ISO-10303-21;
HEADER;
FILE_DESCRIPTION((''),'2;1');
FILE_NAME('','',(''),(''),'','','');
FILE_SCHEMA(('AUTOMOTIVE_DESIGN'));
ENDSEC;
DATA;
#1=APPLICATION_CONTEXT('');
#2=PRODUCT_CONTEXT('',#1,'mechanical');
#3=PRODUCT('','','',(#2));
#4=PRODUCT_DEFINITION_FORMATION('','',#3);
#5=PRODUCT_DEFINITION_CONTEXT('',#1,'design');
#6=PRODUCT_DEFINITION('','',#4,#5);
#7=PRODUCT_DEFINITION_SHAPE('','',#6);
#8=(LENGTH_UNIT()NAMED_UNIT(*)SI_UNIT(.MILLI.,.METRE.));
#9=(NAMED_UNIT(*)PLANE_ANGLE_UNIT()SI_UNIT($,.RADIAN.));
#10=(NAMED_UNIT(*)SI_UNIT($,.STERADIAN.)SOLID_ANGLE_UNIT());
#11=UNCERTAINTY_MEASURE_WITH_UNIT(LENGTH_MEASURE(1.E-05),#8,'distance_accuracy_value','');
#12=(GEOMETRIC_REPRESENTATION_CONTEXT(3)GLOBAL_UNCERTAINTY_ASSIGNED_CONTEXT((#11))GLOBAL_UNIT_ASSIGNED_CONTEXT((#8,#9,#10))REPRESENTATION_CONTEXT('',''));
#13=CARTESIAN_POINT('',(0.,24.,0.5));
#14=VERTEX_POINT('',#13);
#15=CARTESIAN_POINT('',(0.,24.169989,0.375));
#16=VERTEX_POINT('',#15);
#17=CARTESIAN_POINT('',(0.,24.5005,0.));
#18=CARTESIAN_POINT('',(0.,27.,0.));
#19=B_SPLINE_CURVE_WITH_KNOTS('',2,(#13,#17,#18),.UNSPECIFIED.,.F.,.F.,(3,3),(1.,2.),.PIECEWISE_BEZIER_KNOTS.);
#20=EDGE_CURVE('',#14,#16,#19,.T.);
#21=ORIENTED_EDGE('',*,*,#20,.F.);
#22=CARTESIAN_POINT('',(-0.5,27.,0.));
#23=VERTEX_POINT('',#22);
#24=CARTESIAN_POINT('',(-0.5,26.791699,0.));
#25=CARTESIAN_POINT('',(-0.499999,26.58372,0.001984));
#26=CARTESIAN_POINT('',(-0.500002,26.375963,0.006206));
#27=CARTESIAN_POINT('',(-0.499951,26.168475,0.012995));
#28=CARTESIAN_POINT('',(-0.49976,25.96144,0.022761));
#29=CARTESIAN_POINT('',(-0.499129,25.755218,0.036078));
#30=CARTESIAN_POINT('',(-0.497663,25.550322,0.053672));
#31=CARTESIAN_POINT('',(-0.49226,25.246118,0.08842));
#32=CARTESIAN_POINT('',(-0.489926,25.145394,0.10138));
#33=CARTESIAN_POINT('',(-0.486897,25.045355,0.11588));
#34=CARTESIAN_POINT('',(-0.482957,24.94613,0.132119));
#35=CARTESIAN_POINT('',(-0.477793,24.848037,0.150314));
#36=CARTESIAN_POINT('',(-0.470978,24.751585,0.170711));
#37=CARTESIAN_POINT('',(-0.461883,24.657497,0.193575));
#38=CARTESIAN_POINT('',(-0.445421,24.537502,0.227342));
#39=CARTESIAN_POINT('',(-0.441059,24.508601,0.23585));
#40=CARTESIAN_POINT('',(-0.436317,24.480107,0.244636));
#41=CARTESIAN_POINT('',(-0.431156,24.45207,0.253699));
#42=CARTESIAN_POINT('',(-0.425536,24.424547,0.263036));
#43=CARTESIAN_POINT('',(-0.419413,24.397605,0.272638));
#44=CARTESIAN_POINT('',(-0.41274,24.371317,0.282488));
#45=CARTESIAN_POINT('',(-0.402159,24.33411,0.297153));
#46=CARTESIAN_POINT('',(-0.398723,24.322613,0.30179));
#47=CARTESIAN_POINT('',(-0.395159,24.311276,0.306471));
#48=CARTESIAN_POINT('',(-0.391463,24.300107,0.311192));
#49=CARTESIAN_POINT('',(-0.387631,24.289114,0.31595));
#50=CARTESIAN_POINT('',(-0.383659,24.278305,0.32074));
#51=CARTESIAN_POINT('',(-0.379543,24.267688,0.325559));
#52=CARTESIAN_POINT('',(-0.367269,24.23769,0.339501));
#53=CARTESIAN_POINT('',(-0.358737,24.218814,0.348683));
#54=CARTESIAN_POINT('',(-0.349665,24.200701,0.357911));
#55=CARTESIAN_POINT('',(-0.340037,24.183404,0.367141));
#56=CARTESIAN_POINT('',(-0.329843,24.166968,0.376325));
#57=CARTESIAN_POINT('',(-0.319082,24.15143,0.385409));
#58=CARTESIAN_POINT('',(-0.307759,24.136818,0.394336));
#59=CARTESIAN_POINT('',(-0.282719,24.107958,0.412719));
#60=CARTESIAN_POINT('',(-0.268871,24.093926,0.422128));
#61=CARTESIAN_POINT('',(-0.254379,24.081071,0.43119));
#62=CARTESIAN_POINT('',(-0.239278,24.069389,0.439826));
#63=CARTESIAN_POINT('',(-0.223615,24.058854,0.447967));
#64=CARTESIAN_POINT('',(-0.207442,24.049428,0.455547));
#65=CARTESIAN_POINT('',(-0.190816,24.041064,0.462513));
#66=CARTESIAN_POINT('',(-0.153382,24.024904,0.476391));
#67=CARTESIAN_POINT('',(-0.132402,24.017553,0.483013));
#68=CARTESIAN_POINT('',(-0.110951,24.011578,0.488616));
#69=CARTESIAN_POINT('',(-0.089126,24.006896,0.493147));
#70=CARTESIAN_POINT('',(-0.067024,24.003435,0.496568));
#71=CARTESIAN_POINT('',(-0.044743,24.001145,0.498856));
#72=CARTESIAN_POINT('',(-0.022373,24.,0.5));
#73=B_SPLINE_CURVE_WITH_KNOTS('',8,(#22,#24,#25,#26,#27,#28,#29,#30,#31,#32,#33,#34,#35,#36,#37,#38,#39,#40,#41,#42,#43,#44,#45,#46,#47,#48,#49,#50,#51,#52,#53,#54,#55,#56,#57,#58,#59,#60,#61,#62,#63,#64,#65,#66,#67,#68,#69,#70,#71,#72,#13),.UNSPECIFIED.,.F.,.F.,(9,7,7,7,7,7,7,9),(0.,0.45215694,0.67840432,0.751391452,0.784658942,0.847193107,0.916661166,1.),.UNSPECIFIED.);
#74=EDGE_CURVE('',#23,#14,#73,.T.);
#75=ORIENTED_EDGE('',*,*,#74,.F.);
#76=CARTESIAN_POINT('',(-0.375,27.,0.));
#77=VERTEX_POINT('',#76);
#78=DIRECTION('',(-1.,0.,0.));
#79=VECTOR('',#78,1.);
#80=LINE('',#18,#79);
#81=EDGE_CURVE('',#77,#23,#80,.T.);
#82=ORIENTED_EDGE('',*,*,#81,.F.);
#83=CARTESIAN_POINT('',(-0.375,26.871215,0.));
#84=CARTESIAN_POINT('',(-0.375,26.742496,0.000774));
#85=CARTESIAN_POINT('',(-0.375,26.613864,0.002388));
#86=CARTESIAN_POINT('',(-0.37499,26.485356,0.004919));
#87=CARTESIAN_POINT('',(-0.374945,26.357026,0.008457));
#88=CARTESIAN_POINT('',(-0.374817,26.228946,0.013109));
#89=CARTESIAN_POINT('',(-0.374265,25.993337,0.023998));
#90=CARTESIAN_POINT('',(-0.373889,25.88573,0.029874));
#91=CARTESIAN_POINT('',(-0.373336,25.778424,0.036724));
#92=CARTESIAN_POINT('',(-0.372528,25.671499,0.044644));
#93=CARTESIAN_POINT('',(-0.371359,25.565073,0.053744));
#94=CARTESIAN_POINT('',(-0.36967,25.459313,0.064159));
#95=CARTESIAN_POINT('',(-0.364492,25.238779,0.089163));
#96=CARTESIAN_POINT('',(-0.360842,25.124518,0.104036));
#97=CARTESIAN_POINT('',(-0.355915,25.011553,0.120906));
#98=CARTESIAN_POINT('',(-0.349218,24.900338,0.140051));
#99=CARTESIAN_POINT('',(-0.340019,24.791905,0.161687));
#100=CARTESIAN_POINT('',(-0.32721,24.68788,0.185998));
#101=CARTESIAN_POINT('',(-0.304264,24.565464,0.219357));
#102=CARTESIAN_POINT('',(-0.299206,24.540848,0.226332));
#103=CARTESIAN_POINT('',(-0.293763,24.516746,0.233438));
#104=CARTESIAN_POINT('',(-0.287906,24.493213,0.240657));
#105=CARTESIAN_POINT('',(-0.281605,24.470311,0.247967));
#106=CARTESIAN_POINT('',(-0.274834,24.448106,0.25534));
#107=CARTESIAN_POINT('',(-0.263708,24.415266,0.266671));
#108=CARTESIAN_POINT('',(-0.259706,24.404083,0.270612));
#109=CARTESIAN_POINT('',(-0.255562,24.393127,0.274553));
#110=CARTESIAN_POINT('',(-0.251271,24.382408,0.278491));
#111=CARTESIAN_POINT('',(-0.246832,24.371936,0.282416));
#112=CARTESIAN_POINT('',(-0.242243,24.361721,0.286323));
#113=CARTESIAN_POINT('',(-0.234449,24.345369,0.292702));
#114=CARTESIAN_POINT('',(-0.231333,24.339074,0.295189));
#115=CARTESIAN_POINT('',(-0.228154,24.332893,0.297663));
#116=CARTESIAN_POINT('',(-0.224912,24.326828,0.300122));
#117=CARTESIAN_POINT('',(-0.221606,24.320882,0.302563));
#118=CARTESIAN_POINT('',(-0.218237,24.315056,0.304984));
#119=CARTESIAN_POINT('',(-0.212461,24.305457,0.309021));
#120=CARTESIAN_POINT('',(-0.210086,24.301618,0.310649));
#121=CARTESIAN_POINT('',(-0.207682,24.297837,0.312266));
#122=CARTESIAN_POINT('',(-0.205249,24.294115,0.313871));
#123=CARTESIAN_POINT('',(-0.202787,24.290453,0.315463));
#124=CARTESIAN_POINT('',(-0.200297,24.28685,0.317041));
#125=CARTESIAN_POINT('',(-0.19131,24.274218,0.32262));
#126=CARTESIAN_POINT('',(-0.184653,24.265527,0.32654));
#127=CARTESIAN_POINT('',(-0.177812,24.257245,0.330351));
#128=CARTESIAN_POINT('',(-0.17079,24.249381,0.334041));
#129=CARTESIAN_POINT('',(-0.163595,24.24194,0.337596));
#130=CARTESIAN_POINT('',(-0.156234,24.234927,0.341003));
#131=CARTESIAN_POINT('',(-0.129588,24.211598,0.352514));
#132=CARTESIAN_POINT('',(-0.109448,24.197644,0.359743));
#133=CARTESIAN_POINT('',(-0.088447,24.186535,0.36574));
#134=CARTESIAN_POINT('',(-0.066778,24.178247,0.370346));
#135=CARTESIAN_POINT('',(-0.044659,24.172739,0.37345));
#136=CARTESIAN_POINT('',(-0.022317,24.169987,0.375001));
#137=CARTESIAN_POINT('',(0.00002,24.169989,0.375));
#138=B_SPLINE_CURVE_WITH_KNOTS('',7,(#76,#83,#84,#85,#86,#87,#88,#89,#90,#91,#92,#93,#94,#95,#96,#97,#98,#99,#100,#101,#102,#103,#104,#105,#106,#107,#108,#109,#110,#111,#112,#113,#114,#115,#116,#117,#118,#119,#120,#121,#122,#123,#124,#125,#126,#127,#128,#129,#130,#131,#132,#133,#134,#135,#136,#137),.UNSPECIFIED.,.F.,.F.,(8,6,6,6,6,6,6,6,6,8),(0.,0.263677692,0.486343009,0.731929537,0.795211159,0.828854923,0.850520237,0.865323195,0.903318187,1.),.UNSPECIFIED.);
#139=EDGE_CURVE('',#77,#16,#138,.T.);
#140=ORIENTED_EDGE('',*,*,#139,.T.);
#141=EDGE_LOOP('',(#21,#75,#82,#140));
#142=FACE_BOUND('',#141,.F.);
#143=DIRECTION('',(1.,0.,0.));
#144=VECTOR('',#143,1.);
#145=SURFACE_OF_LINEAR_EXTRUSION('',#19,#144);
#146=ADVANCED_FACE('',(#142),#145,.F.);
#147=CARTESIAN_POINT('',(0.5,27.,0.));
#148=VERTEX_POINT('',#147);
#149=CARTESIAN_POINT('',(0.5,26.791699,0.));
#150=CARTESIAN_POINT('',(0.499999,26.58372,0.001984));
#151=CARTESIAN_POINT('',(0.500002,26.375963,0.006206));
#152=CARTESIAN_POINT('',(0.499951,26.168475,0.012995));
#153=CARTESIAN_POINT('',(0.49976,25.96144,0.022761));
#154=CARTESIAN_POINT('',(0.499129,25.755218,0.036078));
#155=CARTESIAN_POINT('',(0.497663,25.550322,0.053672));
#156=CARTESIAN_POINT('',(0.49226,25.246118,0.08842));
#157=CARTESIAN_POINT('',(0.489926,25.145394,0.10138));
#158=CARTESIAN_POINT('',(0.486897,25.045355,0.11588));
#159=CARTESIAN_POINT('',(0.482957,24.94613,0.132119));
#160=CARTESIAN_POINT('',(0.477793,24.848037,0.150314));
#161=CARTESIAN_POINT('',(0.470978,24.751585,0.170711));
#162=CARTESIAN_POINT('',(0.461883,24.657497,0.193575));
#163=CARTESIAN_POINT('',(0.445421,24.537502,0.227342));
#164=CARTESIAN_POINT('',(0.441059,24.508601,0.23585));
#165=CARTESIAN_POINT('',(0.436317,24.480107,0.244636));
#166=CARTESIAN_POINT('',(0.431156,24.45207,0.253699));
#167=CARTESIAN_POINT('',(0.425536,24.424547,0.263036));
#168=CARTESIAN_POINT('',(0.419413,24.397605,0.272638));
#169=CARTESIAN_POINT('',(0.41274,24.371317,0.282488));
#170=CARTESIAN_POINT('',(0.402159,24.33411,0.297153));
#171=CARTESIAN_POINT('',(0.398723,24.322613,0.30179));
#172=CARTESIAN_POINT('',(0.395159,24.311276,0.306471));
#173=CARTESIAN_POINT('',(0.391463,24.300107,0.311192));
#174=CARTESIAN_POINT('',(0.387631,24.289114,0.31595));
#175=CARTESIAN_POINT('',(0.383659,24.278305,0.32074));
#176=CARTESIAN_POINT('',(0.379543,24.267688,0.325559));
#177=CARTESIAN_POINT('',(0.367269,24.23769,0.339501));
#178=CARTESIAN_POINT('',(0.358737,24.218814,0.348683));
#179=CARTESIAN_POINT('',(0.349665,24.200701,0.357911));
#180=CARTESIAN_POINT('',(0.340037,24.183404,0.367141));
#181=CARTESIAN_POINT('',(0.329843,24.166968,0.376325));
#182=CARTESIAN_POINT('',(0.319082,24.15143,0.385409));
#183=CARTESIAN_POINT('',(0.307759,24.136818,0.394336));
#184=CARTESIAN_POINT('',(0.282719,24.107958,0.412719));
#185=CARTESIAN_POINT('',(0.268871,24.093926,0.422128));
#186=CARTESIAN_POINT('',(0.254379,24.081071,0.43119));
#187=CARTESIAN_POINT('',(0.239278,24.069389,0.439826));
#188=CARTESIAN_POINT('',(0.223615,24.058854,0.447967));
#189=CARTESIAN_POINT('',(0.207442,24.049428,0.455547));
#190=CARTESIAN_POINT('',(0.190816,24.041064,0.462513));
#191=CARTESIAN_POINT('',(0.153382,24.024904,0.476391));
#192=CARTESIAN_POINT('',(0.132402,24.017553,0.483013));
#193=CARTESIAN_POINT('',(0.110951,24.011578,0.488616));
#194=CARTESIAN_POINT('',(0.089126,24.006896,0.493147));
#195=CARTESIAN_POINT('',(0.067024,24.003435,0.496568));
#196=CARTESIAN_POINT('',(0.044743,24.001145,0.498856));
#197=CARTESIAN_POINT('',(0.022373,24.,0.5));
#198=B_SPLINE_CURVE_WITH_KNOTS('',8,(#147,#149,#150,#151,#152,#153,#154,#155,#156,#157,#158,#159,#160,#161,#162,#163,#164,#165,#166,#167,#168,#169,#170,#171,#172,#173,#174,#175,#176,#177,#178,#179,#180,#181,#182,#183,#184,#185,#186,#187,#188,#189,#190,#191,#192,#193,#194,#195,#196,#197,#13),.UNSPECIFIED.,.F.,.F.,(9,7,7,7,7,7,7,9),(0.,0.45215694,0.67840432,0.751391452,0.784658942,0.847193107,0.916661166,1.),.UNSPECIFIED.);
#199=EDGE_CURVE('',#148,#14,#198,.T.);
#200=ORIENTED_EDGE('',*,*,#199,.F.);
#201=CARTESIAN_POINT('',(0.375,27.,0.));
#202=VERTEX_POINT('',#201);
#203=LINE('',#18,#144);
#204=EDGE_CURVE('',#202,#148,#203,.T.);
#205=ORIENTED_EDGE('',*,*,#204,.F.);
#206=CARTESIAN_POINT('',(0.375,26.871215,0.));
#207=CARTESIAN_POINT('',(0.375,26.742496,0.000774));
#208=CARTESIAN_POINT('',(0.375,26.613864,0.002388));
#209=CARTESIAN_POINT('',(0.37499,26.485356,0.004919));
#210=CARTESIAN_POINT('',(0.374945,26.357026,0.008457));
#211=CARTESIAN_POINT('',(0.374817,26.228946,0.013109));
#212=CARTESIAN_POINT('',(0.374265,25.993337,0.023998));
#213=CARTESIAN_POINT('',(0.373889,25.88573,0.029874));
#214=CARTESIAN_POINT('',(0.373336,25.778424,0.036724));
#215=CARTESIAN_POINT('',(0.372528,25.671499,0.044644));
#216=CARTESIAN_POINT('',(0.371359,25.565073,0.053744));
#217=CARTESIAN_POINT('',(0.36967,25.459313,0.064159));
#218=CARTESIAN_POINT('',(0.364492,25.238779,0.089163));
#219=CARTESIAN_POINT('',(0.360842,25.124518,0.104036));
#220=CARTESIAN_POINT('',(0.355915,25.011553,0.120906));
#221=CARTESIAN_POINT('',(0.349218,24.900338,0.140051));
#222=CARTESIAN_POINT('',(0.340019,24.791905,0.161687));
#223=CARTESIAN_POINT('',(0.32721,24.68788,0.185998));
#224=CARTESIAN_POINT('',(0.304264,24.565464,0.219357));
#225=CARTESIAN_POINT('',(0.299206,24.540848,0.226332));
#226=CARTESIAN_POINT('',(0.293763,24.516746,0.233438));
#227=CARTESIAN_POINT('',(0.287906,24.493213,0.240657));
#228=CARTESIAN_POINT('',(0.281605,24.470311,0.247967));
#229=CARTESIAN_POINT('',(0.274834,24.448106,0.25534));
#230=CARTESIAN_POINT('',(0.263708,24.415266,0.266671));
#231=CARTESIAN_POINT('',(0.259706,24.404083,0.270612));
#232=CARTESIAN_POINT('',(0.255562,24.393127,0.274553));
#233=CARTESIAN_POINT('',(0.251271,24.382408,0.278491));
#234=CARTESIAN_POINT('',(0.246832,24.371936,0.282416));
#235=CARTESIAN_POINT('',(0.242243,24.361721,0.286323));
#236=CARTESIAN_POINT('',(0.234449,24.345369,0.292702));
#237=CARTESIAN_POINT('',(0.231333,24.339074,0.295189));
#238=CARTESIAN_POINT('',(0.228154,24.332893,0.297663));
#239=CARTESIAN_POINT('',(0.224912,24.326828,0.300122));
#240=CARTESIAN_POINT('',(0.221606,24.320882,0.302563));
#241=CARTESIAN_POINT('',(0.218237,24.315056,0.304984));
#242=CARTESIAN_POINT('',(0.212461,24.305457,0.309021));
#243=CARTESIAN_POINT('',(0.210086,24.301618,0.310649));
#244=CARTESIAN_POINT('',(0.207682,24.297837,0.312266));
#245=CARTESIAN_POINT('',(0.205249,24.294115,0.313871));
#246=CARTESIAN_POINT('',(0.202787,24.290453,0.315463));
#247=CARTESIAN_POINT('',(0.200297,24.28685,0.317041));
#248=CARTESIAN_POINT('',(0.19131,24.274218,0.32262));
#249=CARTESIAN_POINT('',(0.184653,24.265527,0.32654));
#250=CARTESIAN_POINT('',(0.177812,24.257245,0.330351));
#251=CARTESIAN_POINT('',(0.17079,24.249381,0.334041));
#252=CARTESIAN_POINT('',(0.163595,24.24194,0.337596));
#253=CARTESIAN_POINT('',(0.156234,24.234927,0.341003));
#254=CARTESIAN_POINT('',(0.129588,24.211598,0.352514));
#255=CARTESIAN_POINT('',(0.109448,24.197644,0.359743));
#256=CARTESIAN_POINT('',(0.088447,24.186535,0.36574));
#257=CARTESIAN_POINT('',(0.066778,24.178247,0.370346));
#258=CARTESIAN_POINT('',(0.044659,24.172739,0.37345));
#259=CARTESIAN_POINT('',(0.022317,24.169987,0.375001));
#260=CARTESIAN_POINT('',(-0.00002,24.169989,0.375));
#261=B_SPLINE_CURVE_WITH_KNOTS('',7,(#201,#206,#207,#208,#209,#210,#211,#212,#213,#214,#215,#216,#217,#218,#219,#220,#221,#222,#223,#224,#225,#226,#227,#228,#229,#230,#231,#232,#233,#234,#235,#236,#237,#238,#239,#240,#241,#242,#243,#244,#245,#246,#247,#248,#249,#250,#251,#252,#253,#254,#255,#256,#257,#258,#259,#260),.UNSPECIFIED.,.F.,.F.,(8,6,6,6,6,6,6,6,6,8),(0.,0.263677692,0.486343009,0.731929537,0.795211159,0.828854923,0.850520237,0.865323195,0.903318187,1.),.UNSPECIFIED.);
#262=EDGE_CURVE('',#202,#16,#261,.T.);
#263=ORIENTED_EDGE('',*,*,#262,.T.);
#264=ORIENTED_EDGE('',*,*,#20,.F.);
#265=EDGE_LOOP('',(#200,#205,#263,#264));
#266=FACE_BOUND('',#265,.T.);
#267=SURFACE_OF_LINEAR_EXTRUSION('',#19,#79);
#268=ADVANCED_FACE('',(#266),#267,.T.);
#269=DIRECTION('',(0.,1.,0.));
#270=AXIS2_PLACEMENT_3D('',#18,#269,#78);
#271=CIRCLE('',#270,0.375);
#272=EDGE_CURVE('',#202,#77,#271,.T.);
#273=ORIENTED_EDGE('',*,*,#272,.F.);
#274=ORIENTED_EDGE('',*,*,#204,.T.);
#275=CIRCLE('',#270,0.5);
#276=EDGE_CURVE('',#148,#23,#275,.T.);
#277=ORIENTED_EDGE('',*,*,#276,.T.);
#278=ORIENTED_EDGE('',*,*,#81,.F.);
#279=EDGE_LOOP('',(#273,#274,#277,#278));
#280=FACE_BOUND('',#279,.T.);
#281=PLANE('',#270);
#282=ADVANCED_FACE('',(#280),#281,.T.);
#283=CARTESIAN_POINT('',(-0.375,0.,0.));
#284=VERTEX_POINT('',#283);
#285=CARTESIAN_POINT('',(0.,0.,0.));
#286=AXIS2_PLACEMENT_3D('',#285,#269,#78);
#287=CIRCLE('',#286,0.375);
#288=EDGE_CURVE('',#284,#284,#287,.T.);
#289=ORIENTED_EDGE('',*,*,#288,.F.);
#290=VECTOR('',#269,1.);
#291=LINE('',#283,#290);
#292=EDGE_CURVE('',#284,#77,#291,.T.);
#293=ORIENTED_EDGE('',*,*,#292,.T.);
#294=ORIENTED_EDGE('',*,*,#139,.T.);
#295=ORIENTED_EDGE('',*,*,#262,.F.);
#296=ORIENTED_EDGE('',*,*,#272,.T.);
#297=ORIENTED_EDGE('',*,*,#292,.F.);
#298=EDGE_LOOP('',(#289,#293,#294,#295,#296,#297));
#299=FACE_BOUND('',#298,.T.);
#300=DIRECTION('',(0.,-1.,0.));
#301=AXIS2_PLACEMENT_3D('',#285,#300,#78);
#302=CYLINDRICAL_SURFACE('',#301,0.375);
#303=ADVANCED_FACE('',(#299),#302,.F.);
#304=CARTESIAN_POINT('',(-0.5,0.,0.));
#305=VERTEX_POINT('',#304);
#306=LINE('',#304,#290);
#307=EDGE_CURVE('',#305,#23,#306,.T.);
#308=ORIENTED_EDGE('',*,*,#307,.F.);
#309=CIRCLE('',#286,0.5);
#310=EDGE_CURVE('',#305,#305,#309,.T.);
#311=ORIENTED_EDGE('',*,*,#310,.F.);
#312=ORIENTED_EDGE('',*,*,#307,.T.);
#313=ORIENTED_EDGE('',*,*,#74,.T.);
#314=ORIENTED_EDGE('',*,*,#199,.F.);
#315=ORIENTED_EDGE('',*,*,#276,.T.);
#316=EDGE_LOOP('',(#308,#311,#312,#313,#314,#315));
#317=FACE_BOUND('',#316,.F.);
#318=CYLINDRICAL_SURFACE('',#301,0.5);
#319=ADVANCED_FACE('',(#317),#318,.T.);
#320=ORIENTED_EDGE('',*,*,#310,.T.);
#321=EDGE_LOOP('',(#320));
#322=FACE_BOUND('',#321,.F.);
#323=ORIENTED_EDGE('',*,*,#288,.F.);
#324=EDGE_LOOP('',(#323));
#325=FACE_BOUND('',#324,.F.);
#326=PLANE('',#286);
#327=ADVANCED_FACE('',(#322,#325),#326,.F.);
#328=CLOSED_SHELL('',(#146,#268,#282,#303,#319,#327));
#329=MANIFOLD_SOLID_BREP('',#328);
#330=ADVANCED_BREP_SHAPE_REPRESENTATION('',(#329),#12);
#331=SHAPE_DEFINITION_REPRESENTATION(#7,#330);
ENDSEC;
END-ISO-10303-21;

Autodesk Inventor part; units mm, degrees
ref_plane "YZ Plane" through (0, 0, 0) normal (1, 0, 0) x (0, 1, 0)
ref_plane "XZ Plane" through (0, 0, 0) normal (0, 1, 0) x (-1, 0, 0)
ref_plane "XY Plane" through (0, 0, 0) normal (0, 0, 1) x (1, 0, 0)
sketch "Sketch1" plane through (0, 0, 0) normal (0, 1, 0) x (-1, 0, 0)
  circle A0 centre (0, 0) radius 0.5
  circle A1 centre (0, 0) radius 0.375
  dimension "d0" = 1
  dimension "d1" = 0.75
extrude "Extrusion1" add sketch "Sketch1" along normal blind 27
sketch "Sketch2" plane through (0, 0, 0) normal (1, 0, 0) x (0, 1, 0)
  line L0 (0, 0.5) -> (27, 0.5) construction
  line L1 (27, -0.5) -> (24.5005, -0.5) construction
  line L2 (24, 0.5) -> (27.2057, 2.2706)
  line L3 (24, 0.5) -> (24.5005, 0) construction
  line L4 (24.5005, 0) -> (27, 0) construction
  spline S0 degree 2 poles (24, 0.5) (24.5005, 0) (27, 0) knots 1 1 1 2 2 2
  line L5 (27.2057, 2.2706) -> (27.2355, -0.0268)
  line L6 (27.2355, -0.0268) -> (27, 0)
  point P0 (0, 0)
extrude "Extrusion2" cut sketch "Sketch2" against normal blind 1 and the other way blind 1
properties part number "pin"
